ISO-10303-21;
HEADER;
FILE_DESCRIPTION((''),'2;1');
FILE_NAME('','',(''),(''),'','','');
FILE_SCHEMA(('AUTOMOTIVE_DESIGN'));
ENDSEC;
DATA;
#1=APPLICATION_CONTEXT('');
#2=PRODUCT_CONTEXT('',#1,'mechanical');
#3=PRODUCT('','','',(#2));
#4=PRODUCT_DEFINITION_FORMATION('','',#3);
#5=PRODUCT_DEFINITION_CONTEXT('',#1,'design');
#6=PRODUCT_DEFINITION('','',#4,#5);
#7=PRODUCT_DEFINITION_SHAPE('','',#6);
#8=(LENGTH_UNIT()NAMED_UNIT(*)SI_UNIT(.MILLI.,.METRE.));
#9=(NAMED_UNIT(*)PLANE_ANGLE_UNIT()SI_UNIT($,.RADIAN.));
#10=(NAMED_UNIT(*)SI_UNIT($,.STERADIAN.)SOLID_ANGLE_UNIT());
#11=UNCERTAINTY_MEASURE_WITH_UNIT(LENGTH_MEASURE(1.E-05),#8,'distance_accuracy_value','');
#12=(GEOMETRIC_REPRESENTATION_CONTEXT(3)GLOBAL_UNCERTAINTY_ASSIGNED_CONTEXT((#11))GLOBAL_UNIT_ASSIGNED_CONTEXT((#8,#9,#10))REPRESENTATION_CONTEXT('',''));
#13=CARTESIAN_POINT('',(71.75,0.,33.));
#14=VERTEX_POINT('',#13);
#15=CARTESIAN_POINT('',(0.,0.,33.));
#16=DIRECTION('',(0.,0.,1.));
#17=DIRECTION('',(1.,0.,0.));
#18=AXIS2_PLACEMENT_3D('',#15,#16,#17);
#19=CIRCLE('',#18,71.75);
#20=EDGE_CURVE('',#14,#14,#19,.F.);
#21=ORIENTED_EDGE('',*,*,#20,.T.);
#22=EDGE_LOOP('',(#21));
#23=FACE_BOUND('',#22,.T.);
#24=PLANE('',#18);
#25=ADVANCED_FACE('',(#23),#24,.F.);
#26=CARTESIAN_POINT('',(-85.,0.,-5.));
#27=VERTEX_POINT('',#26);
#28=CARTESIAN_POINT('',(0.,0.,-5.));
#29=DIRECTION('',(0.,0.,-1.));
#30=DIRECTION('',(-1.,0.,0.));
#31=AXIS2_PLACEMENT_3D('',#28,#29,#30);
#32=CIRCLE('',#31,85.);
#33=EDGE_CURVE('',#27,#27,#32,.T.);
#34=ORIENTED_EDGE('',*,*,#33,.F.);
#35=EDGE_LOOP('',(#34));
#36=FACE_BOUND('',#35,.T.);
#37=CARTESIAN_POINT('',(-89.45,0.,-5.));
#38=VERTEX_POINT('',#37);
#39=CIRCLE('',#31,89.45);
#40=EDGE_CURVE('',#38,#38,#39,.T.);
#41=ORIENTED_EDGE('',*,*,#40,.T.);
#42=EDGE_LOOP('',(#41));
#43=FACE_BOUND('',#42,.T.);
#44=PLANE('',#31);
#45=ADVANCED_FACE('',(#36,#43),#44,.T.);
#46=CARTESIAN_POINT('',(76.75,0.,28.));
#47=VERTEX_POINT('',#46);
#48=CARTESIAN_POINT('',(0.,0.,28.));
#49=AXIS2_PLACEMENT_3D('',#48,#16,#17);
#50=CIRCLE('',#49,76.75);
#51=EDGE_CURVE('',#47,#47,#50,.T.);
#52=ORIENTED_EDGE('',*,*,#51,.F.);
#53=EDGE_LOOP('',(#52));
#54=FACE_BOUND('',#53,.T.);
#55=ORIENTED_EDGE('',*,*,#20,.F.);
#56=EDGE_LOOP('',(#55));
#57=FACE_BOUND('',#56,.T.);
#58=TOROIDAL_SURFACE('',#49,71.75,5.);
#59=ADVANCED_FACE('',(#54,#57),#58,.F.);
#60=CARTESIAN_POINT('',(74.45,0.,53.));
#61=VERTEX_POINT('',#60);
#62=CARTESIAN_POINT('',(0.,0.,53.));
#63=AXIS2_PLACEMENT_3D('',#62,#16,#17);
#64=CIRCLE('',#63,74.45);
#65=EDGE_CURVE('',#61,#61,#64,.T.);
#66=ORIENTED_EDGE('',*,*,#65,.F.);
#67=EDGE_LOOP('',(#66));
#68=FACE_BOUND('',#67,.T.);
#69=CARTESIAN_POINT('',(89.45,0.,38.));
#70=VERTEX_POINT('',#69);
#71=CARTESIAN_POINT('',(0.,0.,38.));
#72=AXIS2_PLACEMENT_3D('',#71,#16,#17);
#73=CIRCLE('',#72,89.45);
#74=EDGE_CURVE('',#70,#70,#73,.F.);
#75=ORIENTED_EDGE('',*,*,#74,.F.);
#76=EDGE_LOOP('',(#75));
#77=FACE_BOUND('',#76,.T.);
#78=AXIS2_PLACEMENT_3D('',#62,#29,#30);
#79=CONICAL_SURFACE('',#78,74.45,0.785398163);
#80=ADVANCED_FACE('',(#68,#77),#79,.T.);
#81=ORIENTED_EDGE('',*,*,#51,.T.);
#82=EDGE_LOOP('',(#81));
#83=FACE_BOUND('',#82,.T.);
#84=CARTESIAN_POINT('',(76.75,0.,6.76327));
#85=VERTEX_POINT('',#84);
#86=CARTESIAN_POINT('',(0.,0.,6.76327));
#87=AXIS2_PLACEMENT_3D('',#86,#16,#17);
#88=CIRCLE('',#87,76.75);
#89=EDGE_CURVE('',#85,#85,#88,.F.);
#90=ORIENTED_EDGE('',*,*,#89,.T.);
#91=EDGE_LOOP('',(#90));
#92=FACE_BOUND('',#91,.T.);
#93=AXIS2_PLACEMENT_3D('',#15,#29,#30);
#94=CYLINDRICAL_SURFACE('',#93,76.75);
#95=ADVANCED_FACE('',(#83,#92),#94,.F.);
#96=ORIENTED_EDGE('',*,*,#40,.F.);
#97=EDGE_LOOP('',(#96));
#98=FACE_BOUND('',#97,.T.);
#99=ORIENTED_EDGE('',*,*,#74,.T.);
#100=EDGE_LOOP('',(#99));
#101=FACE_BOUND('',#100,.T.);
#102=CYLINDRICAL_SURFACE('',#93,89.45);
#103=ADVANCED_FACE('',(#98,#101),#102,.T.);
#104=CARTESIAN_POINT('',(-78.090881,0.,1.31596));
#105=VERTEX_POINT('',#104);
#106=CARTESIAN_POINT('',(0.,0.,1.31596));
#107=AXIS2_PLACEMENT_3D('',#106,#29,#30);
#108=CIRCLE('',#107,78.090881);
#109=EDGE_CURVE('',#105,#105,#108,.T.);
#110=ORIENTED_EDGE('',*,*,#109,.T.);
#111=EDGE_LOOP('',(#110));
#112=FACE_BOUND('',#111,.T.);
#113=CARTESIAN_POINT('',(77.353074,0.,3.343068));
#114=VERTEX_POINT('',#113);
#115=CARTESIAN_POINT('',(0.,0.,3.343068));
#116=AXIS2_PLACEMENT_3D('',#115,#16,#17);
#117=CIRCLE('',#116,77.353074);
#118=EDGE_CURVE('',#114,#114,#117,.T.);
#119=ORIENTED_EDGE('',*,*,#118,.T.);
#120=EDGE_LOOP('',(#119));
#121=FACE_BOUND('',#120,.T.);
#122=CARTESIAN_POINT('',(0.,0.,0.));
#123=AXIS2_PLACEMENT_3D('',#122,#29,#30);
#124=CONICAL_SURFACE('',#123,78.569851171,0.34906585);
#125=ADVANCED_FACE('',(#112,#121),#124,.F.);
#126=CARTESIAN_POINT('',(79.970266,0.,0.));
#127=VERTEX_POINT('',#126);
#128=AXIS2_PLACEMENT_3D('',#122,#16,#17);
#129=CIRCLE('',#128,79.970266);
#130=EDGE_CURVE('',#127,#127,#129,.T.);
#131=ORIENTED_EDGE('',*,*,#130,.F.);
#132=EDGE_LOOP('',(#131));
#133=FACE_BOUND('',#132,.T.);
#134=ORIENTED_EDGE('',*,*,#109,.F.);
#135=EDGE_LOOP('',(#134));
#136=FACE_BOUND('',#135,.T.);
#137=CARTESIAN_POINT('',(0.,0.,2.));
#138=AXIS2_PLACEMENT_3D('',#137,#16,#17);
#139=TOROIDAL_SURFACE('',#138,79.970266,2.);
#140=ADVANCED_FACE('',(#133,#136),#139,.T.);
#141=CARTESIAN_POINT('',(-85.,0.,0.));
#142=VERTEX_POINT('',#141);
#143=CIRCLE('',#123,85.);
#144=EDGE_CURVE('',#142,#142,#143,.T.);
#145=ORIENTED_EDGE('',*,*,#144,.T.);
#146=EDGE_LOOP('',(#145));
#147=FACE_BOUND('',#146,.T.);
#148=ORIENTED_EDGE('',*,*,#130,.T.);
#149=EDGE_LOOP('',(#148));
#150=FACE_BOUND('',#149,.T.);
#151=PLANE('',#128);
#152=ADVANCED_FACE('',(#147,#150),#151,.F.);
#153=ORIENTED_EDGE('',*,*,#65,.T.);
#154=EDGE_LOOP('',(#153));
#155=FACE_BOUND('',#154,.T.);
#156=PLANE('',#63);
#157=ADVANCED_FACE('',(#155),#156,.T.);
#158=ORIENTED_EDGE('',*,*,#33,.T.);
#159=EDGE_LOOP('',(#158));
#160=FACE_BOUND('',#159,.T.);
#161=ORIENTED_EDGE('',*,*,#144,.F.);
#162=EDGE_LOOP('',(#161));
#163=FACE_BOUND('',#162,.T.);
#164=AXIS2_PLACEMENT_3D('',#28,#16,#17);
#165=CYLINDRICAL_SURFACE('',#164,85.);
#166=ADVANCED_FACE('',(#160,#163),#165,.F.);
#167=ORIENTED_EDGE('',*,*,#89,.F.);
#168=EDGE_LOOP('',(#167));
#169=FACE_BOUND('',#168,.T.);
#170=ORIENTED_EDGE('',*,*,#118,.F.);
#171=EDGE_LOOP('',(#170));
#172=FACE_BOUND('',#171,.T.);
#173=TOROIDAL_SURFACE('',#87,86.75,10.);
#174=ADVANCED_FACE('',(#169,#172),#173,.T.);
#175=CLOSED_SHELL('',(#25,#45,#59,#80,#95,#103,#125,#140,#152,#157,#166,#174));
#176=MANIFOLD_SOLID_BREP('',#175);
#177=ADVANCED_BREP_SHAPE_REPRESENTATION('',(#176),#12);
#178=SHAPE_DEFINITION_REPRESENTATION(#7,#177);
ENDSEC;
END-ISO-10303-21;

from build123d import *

# Parameters (mm, degrees)
SKETCH1_R           = 89.45
SKETCH1_R_2         = 76.75
BOSS_EXTRUDE1_DEPTH = 33
BOSS_EXTRUDE2_START = 5
SKETCH2_R           = 89.45
SKETCH2_R_2         = 85
BOSS_EXTRUDE2_DEPTH = 5
SKETCH3_R           = 89.45
BOSS_EXTRUDE3_DEPTH = 20
CHAMFER1_SIZE       = 15
CHAMFER2_SIZE       = 5
CHAMFER2_SIZE2      = 1.819851171
FILLET1_R           = 10
FILLET2_R           = 2
FILLET3_R           = 5


with BuildPart() as part:
    # Sketch1 → Boss-Extrude1 (new body)
    with BuildSketch(Plane.XY):
        Circle(SKETCH1_R)
        Circle(SKETCH1_R_2, mode=Mode.SUBTRACT)
    extrude(amount=BOSS_EXTRUDE1_DEPTH)

    # Sketch2 → Boss-Extrude2 (add)
    with BuildSketch(Plane(origin=(0, 0, 0), x_dir=(-1, 0, 0), z_dir=(0, 0, -1)).offset(BOSS_EXTRUDE2_START)):
        Circle(SKETCH2_R)
        Circle(SKETCH2_R_2, mode=Mode.SUBTRACT)
    extrude(amount=-BOSS_EXTRUDE2_DEPTH)

    # Sketch3 → Boss-Extrude3 (add)
    with BuildSketch(Plane.XY.offset(33)):
        with Locations(Location((0, 0, 0), (0, 0, 180))):
            Circle(SKETCH3_R)
    extrude(amount=BOSS_EXTRUDE3_DEPTH)

    # Chamfer1
    chamfer1_edges = [part.edges().sort_by_distance(p)[0] for p in [
        (89.45, 0, 53),
    ]]
    chamfer(chamfer1_edges, length=CHAMFER1_SIZE)

    # Chamfer2
    chamfer2_edges = [part.edges().sort_by_distance(p)[0] for p in [
        (-76.75, 0, 0),
    ]]
    chamfer2_side = [part.faces().sort_by_distance(p)[0] for p in [
        (-76.75, 0, 16.5),
    ]]
    chamfer(chamfer2_edges, length=CHAMFER2_SIZE, length2=CHAMFER2_SIZE2, reference=chamfer2_side[0])

    # Fillet1
    fillet1_edges = [part.edges().sort_by_distance(p)[0] for p in [
        (-76.75, 0, 5),
    ]]
    fillet(fillet1_edges, radius=FILLET1_R)

    # Fillet2
    fillet2_edges = [part.edges().sort_by_distance(p)[0] for p in [
        (-78.569851171, 0, 0),
    ]]
    fillet(fillet2_edges, radius=FILLET2_R)

    # Fillet3
    fillet3_edges = [part.edges().sort_by_distance(p)[0] for p in [
        (-76.75, 0, 33),
    ]]
    fillet(fillet3_edges, radius=FILLET3_R)


solid = part.part
